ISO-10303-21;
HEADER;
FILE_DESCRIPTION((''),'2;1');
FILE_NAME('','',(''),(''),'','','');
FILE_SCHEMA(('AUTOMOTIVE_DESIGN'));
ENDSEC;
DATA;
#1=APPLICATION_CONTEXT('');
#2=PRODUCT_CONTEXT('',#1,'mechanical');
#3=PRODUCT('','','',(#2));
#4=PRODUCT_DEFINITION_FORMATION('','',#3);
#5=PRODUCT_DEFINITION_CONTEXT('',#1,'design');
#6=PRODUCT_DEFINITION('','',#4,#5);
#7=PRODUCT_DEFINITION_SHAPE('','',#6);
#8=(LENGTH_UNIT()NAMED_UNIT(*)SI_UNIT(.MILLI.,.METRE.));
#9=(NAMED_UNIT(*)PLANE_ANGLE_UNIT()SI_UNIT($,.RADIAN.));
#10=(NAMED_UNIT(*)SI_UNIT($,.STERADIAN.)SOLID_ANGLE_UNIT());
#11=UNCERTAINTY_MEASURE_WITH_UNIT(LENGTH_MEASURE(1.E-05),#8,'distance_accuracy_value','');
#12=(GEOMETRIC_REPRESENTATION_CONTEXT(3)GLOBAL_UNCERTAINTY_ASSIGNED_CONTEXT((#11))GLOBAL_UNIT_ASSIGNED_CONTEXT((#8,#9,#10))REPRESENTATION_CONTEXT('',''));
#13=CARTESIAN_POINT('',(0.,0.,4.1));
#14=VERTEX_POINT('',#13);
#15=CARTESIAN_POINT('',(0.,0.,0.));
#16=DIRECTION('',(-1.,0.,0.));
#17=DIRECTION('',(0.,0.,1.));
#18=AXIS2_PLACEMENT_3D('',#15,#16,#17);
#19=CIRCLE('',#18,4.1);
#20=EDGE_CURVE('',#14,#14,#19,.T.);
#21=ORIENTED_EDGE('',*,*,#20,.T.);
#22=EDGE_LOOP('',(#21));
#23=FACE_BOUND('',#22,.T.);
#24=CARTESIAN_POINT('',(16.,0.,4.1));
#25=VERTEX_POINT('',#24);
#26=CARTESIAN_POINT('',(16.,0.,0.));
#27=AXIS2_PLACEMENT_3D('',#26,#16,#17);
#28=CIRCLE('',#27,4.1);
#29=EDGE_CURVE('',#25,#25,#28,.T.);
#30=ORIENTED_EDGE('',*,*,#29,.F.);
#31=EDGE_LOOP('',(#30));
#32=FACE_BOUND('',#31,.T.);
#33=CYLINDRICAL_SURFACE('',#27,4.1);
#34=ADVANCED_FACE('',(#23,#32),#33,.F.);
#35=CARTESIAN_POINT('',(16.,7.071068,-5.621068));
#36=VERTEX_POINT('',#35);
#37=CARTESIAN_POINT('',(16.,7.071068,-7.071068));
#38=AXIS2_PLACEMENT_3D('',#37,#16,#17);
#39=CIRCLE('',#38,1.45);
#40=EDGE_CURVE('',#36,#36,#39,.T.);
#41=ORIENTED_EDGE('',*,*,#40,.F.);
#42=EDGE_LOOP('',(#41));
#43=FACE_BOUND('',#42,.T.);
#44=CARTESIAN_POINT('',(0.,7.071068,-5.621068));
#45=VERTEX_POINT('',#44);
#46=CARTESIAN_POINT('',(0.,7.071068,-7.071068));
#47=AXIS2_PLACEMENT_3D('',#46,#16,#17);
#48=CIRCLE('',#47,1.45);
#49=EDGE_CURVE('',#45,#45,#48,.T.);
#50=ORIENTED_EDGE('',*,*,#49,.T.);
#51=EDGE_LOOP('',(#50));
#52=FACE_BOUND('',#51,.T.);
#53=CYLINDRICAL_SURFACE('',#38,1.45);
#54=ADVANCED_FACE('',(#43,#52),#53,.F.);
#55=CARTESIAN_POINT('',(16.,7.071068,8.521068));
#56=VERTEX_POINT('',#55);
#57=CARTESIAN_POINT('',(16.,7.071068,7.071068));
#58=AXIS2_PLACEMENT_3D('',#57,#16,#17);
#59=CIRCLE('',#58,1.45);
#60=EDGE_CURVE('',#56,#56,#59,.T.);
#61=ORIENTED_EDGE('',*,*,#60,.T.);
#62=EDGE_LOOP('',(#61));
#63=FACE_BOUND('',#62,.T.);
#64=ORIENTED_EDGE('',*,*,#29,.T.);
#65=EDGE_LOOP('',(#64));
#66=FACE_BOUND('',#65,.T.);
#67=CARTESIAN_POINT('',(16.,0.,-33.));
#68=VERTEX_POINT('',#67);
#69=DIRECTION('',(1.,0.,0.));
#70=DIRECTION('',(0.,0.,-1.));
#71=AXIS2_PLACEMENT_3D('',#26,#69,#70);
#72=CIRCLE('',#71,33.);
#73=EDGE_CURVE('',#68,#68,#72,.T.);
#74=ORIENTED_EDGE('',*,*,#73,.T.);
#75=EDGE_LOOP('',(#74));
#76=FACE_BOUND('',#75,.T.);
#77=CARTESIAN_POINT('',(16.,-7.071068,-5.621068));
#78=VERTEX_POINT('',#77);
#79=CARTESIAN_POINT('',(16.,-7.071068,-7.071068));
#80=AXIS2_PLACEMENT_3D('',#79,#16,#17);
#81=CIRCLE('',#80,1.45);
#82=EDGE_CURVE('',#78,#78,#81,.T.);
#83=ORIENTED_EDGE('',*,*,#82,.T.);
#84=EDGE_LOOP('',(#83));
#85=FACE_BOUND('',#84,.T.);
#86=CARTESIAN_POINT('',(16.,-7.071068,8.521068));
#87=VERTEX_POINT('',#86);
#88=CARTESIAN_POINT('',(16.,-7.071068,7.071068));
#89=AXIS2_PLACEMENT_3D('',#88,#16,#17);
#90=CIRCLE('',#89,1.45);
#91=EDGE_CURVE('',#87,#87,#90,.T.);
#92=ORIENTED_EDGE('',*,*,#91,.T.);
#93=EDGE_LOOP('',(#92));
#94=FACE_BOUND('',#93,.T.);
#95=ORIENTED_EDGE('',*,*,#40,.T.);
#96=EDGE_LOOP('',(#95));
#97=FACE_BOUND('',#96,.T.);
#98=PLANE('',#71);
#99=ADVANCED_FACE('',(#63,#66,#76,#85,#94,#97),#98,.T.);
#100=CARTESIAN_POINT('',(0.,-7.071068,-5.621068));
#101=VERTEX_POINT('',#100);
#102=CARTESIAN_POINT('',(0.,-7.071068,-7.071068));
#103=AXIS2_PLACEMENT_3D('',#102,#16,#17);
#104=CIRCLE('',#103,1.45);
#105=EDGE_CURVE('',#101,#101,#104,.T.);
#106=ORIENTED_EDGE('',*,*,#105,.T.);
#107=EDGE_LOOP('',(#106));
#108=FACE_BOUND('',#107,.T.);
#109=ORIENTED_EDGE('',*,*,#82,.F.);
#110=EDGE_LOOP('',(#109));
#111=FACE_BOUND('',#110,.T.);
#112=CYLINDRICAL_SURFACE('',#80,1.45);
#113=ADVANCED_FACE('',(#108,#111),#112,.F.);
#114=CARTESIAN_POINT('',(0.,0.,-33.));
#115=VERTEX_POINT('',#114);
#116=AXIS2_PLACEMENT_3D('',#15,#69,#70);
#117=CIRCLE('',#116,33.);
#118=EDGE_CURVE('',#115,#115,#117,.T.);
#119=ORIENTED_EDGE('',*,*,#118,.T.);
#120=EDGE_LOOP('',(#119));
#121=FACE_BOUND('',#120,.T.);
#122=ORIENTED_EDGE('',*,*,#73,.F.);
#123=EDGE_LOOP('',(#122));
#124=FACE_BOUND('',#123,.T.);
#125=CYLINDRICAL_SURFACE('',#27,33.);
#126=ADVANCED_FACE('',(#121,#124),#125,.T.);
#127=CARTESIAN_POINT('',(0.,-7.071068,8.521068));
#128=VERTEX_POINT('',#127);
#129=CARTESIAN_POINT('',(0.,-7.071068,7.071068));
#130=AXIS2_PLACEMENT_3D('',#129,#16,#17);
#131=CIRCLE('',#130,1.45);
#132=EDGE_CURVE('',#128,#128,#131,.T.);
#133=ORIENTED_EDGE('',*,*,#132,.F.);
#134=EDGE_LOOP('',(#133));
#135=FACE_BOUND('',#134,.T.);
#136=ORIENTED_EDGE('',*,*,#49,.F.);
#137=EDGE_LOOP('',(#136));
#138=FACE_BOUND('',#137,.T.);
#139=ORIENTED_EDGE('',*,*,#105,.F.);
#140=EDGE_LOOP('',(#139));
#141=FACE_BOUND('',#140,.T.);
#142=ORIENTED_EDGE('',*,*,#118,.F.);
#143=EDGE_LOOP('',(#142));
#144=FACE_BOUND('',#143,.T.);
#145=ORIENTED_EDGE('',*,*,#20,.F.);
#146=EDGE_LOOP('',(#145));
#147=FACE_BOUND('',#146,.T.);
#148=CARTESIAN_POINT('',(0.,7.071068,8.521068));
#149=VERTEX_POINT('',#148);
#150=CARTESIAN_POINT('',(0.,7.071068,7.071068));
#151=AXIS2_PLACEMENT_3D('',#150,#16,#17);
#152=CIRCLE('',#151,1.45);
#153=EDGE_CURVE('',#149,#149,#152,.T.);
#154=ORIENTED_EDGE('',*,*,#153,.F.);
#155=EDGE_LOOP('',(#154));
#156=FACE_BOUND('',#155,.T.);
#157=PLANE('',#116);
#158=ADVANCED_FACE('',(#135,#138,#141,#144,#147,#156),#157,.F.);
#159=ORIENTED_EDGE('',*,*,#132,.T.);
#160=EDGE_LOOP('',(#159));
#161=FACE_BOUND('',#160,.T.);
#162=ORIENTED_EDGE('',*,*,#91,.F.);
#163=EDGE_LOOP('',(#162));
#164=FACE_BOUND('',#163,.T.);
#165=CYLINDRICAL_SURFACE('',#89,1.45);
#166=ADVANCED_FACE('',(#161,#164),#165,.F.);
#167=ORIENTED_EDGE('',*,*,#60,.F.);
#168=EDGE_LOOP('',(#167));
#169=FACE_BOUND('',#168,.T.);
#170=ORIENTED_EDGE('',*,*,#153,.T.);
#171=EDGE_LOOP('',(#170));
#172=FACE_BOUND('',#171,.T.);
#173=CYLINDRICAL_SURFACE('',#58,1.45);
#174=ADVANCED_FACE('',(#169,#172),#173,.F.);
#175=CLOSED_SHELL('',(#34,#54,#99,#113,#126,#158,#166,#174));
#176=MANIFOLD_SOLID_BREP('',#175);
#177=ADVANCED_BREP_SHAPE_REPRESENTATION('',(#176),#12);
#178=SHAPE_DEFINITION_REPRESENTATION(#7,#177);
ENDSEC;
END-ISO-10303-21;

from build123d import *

# Parameters (mm, degrees)
SKETCH_1_R          = 33
EXTRUDE_1_DEPTH     = 16
SKETCH_2_R          = 4.1
SKETCH_2_R_2        = 1.45
CUT_EXTRUDE_1_DEPTH = 16


with BuildPart() as part:
    # 草图1 → 凸台-拉伸1 (new body)
    with BuildSketch(Plane(origin=(0, 0, 0), x_dir=(0, 0, -1), z_dir=(1, 0, 0))):
        Circle(SKETCH_1_R)
    extrude(amount=EXTRUDE_1_DEPTH)

    # 草图2 → 切除-拉伸1 (cut)
    with BuildSketch(Plane.ZY):
        Circle(SKETCH_2_R)
        with Locations((-7.071067812, 7.071067812)):
            Circle(SKETCH_2_R_2)
        with Locations((-7.071067812, -7.071067812)):
            Circle(SKETCH_2_R_2)
        with Locations((7.071067812, -7.071067812)):
            Circle(SKETCH_2_R_2)
        with Locations((7.071067812, 7.071067812)):
            Circle(SKETCH_2_R_2)
    extrude(amount=-CUT_EXTRUDE_1_DEPTH, mode=Mode.SUBTRACT)


solid = part.part
